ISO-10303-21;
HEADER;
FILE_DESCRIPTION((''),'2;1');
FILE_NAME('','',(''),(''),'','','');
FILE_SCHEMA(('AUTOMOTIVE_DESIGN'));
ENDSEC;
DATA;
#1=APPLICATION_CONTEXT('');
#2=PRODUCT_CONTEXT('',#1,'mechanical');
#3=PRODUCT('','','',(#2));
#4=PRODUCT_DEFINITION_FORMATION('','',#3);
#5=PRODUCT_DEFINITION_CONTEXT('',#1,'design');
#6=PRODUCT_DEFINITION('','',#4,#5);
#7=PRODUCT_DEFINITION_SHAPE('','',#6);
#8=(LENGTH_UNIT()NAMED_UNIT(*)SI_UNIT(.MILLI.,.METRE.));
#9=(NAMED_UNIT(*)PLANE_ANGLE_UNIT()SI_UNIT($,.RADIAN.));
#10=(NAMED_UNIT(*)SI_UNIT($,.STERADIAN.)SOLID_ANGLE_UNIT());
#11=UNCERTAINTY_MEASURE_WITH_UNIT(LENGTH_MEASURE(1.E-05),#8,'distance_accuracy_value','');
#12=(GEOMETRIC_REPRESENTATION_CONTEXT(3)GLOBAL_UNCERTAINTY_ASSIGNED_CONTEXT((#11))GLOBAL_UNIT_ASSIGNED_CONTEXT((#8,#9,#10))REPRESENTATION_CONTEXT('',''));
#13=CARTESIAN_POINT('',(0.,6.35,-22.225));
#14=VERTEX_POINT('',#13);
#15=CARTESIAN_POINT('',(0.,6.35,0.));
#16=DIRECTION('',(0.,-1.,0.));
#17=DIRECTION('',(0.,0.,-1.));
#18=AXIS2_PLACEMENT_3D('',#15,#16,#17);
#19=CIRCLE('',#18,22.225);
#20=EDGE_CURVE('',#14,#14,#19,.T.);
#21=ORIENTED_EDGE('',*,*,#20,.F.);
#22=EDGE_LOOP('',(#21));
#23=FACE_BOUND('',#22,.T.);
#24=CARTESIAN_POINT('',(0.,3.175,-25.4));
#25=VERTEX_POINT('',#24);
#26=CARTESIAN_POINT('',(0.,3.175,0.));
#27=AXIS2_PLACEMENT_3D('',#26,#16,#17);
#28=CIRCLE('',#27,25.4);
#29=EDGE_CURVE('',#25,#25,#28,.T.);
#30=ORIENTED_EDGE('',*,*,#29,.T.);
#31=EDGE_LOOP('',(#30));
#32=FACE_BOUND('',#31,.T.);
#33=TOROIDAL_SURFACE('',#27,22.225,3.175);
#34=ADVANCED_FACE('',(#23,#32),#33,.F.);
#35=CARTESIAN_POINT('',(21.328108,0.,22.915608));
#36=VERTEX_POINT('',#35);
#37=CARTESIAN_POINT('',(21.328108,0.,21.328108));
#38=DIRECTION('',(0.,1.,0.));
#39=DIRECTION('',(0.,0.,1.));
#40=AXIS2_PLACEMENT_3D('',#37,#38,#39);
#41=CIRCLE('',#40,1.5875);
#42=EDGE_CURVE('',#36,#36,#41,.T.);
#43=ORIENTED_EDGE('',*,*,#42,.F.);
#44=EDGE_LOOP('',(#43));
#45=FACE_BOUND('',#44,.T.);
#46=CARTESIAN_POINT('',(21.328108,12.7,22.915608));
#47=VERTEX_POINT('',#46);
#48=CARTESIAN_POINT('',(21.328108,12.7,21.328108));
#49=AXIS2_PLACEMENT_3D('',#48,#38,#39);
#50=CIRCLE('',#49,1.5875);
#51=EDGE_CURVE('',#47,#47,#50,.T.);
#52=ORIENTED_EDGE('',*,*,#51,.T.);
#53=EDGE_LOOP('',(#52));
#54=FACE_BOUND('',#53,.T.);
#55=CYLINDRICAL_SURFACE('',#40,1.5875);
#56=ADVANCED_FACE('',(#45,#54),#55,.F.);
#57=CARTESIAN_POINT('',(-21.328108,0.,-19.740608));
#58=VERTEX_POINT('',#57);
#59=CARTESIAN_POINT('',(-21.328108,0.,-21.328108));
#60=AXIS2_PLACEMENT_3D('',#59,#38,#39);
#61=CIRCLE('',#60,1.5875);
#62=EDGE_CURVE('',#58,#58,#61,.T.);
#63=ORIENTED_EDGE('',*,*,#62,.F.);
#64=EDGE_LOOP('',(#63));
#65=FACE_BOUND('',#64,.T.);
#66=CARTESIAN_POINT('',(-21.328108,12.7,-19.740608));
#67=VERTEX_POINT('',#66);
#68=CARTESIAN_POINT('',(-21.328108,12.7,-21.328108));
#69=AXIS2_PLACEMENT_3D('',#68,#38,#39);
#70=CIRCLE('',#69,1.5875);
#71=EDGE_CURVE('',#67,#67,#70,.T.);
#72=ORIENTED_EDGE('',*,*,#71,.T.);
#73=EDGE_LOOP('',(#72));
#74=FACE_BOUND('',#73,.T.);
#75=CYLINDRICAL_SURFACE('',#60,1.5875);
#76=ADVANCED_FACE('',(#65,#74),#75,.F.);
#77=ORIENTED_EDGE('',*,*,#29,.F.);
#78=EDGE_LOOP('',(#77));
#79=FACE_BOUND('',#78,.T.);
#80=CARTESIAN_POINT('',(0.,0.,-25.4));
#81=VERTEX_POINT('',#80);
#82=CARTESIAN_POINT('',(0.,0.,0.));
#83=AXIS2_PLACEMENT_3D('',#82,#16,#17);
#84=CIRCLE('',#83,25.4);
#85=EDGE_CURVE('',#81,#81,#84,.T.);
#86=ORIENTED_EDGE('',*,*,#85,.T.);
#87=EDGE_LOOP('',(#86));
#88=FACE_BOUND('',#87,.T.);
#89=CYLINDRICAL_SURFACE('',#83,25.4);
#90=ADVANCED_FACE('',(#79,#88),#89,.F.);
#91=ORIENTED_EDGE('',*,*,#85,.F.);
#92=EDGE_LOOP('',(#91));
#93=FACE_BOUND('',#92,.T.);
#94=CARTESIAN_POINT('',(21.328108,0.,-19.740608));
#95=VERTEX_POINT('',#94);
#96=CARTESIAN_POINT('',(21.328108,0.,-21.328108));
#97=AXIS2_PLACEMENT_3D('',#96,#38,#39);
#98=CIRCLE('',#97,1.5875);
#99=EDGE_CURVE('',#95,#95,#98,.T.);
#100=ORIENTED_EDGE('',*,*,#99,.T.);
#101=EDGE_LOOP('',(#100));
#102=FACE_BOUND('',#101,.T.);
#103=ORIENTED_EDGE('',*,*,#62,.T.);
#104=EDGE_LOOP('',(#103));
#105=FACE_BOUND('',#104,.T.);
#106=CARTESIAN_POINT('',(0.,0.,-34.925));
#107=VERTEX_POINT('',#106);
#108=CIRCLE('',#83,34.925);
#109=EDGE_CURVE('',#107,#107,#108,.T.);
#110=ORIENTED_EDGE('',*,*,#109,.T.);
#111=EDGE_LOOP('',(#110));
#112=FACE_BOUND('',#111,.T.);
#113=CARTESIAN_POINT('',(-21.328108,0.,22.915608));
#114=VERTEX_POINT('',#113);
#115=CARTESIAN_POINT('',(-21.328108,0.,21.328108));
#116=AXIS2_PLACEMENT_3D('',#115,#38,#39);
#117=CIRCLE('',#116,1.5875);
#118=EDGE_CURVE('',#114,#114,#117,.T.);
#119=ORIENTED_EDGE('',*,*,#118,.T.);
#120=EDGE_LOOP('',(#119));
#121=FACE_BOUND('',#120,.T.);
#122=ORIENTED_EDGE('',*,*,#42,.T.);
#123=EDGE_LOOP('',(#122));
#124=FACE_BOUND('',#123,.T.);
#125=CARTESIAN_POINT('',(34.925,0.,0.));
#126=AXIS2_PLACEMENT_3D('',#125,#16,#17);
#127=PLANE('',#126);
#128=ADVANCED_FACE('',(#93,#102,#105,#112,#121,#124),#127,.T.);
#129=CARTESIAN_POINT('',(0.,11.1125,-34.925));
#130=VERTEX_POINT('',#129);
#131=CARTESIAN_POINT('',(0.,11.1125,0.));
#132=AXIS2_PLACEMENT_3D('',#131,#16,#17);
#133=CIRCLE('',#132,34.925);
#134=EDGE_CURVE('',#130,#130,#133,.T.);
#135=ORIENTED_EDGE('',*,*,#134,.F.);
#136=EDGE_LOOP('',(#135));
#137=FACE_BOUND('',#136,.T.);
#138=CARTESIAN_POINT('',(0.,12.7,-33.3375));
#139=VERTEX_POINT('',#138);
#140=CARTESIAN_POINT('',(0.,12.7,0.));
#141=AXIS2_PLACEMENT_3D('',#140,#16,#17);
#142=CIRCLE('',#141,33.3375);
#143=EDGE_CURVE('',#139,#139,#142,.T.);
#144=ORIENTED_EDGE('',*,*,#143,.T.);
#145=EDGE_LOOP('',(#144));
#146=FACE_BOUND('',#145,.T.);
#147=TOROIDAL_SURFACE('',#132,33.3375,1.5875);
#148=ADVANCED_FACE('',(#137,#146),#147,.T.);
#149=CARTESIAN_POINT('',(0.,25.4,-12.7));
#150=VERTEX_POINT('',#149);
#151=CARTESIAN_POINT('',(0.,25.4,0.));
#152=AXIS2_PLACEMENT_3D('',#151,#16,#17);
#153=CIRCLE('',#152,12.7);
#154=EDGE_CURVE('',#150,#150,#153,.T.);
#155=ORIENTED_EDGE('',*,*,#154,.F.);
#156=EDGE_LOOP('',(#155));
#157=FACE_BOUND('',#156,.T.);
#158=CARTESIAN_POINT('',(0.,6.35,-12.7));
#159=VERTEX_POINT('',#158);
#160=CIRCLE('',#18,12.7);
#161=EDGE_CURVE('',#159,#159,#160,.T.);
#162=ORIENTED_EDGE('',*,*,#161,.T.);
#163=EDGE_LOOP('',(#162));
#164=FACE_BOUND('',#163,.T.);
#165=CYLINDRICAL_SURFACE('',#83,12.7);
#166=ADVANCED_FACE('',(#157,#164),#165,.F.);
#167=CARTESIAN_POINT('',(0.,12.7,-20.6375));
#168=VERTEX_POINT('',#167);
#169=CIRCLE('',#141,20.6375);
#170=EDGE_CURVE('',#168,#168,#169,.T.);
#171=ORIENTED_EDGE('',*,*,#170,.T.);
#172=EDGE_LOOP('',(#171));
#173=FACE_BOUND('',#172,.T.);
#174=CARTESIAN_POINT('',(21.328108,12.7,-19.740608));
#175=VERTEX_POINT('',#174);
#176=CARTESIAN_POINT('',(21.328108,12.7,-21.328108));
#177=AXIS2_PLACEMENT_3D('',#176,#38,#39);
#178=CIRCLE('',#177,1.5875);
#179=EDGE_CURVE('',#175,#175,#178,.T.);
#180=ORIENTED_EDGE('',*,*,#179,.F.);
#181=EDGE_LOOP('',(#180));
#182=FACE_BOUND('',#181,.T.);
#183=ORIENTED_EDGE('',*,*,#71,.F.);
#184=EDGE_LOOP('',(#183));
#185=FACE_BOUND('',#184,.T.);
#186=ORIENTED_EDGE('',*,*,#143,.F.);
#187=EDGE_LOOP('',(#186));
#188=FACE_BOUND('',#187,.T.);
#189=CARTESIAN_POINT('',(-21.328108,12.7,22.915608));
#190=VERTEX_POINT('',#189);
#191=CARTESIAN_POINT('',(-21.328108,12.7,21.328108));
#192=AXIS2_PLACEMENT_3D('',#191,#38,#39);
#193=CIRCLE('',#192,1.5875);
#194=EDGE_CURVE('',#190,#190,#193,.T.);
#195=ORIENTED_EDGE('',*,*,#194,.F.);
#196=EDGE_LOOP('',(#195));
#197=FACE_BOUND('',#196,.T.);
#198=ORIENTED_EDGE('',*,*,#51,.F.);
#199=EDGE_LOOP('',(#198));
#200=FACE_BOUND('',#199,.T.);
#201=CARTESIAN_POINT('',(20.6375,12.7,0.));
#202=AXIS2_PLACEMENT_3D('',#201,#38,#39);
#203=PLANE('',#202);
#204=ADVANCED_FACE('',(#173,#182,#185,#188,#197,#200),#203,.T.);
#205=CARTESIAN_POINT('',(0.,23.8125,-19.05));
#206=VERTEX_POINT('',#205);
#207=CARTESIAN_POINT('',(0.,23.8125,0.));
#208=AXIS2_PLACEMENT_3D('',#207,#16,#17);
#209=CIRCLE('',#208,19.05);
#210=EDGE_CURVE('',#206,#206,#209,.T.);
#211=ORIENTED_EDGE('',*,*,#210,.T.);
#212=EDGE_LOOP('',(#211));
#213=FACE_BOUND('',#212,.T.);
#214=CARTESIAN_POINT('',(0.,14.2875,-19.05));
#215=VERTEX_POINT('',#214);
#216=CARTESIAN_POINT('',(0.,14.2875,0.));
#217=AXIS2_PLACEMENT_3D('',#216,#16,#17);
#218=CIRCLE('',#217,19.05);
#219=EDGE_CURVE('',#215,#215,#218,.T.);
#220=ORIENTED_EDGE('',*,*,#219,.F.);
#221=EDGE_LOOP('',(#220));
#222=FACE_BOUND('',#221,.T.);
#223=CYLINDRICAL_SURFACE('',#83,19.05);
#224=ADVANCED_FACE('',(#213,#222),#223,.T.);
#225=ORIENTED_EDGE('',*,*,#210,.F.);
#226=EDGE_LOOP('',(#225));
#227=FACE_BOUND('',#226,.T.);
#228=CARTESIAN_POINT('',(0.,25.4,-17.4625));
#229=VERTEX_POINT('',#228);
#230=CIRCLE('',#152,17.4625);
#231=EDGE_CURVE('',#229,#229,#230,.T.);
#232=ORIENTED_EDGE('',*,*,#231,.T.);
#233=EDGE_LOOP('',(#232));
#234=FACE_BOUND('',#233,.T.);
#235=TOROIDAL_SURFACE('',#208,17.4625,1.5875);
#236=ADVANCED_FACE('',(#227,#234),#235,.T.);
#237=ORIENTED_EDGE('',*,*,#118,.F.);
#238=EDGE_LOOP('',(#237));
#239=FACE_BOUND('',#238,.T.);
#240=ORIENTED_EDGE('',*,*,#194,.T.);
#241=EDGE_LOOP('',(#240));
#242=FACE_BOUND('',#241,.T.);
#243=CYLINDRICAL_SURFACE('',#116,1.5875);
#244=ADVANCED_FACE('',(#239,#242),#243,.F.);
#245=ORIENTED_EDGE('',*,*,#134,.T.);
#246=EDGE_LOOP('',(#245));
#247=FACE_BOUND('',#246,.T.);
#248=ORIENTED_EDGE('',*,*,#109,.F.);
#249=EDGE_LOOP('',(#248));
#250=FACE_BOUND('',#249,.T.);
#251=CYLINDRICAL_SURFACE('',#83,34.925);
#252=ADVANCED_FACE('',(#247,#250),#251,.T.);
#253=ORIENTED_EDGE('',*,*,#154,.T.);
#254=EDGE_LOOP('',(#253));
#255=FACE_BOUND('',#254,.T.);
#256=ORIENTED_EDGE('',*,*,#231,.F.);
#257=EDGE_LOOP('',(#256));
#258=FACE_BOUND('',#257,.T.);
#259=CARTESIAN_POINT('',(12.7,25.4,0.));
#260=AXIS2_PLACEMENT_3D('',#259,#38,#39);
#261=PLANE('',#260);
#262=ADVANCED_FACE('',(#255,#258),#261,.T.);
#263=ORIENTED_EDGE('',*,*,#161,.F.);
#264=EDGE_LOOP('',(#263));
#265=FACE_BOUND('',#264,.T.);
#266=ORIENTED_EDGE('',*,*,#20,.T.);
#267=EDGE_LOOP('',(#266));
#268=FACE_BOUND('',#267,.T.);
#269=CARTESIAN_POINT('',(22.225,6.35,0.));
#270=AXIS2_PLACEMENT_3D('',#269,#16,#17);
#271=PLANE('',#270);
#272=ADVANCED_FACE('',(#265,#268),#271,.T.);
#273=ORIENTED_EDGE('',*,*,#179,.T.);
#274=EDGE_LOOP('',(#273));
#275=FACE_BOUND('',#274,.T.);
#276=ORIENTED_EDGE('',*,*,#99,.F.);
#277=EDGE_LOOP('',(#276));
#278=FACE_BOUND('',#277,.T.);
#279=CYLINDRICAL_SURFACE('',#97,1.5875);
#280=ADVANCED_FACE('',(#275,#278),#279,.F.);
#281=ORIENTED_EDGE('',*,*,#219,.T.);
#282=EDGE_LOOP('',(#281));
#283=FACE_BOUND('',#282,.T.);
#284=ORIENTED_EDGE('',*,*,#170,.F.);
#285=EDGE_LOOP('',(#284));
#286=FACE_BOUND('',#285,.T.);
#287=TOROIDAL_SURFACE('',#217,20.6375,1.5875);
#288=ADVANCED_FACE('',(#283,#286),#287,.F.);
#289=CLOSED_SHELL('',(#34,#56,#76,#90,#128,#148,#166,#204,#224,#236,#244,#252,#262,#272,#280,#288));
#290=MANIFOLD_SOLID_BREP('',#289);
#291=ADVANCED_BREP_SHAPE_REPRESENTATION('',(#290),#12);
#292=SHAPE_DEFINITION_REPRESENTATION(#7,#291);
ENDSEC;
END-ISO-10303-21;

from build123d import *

# Parameters (mm, degrees)
SKETCH2_R          = 1.5875
CUT_EXTRUDE1_DEPTH = 13.7


with BuildPart() as part:
    # Sketch1 → Revolve1 (revolve)
    with BuildSketch(Plane.XY):
        with BuildLine():
            Line((12.7, 25.4), (17.4625, 25.4))
            ThreePointArc((17.4625, 25.4), (18.585032015, 24.935032015), (19.05, 23.8125))
            Line((19.05, 23.8125), (19.05, 14.2875))
            ThreePointArc((19.05, 14.2875), (19.514967985, 13.164967985), (20.6375, 12.7))
            Line((20.6375, 12.7), (33.3375, 12.7))
            ThreePointArc((33.3375, 12.7), (34.460032015, 12.235032015), (34.925, 11.1125))
            Line((34.925, 11.1125), (34.925, 0))
            Line((34.925, 0), (25.4, 0))
            Line((25.4, 0), (25.4, 3.175))
            ThreePointArc((25.4, 3.175), (24.47006403, 5.42006403), (22.225, 6.35))
            Line((22.225, 6.35), (12.7, 6.35))
            Line((12.7, 6.35), (12.7, 25.4))
        make_face()
    revolve(axis=Axis((0, 0, 0), (0, 1, 0)))

    # Sketch2 → Cut-Extrude1 (cut, through all)
    with BuildSketch(Plane(origin=(0, 12.7, 0), x_dir=(1, 0, 0), z_dir=(0, 1, 0))):
        with Locations((-21.328108288, 21.328108288)):
            Circle(SKETCH2_R)
        with Locations((21.328108288, 21.328108288)):
            Circle(SKETCH2_R)
        with Locations((21.328108288, -21.328108288)):
            Circle(SKETCH2_R)
        with Locations((-21.328108288, -21.328108288)):
            Circle(SKETCH2_R)
    extrude(amount=-CUT_EXTRUDE1_DEPTH, mode=Mode.SUBTRACT)


solid = part.part
